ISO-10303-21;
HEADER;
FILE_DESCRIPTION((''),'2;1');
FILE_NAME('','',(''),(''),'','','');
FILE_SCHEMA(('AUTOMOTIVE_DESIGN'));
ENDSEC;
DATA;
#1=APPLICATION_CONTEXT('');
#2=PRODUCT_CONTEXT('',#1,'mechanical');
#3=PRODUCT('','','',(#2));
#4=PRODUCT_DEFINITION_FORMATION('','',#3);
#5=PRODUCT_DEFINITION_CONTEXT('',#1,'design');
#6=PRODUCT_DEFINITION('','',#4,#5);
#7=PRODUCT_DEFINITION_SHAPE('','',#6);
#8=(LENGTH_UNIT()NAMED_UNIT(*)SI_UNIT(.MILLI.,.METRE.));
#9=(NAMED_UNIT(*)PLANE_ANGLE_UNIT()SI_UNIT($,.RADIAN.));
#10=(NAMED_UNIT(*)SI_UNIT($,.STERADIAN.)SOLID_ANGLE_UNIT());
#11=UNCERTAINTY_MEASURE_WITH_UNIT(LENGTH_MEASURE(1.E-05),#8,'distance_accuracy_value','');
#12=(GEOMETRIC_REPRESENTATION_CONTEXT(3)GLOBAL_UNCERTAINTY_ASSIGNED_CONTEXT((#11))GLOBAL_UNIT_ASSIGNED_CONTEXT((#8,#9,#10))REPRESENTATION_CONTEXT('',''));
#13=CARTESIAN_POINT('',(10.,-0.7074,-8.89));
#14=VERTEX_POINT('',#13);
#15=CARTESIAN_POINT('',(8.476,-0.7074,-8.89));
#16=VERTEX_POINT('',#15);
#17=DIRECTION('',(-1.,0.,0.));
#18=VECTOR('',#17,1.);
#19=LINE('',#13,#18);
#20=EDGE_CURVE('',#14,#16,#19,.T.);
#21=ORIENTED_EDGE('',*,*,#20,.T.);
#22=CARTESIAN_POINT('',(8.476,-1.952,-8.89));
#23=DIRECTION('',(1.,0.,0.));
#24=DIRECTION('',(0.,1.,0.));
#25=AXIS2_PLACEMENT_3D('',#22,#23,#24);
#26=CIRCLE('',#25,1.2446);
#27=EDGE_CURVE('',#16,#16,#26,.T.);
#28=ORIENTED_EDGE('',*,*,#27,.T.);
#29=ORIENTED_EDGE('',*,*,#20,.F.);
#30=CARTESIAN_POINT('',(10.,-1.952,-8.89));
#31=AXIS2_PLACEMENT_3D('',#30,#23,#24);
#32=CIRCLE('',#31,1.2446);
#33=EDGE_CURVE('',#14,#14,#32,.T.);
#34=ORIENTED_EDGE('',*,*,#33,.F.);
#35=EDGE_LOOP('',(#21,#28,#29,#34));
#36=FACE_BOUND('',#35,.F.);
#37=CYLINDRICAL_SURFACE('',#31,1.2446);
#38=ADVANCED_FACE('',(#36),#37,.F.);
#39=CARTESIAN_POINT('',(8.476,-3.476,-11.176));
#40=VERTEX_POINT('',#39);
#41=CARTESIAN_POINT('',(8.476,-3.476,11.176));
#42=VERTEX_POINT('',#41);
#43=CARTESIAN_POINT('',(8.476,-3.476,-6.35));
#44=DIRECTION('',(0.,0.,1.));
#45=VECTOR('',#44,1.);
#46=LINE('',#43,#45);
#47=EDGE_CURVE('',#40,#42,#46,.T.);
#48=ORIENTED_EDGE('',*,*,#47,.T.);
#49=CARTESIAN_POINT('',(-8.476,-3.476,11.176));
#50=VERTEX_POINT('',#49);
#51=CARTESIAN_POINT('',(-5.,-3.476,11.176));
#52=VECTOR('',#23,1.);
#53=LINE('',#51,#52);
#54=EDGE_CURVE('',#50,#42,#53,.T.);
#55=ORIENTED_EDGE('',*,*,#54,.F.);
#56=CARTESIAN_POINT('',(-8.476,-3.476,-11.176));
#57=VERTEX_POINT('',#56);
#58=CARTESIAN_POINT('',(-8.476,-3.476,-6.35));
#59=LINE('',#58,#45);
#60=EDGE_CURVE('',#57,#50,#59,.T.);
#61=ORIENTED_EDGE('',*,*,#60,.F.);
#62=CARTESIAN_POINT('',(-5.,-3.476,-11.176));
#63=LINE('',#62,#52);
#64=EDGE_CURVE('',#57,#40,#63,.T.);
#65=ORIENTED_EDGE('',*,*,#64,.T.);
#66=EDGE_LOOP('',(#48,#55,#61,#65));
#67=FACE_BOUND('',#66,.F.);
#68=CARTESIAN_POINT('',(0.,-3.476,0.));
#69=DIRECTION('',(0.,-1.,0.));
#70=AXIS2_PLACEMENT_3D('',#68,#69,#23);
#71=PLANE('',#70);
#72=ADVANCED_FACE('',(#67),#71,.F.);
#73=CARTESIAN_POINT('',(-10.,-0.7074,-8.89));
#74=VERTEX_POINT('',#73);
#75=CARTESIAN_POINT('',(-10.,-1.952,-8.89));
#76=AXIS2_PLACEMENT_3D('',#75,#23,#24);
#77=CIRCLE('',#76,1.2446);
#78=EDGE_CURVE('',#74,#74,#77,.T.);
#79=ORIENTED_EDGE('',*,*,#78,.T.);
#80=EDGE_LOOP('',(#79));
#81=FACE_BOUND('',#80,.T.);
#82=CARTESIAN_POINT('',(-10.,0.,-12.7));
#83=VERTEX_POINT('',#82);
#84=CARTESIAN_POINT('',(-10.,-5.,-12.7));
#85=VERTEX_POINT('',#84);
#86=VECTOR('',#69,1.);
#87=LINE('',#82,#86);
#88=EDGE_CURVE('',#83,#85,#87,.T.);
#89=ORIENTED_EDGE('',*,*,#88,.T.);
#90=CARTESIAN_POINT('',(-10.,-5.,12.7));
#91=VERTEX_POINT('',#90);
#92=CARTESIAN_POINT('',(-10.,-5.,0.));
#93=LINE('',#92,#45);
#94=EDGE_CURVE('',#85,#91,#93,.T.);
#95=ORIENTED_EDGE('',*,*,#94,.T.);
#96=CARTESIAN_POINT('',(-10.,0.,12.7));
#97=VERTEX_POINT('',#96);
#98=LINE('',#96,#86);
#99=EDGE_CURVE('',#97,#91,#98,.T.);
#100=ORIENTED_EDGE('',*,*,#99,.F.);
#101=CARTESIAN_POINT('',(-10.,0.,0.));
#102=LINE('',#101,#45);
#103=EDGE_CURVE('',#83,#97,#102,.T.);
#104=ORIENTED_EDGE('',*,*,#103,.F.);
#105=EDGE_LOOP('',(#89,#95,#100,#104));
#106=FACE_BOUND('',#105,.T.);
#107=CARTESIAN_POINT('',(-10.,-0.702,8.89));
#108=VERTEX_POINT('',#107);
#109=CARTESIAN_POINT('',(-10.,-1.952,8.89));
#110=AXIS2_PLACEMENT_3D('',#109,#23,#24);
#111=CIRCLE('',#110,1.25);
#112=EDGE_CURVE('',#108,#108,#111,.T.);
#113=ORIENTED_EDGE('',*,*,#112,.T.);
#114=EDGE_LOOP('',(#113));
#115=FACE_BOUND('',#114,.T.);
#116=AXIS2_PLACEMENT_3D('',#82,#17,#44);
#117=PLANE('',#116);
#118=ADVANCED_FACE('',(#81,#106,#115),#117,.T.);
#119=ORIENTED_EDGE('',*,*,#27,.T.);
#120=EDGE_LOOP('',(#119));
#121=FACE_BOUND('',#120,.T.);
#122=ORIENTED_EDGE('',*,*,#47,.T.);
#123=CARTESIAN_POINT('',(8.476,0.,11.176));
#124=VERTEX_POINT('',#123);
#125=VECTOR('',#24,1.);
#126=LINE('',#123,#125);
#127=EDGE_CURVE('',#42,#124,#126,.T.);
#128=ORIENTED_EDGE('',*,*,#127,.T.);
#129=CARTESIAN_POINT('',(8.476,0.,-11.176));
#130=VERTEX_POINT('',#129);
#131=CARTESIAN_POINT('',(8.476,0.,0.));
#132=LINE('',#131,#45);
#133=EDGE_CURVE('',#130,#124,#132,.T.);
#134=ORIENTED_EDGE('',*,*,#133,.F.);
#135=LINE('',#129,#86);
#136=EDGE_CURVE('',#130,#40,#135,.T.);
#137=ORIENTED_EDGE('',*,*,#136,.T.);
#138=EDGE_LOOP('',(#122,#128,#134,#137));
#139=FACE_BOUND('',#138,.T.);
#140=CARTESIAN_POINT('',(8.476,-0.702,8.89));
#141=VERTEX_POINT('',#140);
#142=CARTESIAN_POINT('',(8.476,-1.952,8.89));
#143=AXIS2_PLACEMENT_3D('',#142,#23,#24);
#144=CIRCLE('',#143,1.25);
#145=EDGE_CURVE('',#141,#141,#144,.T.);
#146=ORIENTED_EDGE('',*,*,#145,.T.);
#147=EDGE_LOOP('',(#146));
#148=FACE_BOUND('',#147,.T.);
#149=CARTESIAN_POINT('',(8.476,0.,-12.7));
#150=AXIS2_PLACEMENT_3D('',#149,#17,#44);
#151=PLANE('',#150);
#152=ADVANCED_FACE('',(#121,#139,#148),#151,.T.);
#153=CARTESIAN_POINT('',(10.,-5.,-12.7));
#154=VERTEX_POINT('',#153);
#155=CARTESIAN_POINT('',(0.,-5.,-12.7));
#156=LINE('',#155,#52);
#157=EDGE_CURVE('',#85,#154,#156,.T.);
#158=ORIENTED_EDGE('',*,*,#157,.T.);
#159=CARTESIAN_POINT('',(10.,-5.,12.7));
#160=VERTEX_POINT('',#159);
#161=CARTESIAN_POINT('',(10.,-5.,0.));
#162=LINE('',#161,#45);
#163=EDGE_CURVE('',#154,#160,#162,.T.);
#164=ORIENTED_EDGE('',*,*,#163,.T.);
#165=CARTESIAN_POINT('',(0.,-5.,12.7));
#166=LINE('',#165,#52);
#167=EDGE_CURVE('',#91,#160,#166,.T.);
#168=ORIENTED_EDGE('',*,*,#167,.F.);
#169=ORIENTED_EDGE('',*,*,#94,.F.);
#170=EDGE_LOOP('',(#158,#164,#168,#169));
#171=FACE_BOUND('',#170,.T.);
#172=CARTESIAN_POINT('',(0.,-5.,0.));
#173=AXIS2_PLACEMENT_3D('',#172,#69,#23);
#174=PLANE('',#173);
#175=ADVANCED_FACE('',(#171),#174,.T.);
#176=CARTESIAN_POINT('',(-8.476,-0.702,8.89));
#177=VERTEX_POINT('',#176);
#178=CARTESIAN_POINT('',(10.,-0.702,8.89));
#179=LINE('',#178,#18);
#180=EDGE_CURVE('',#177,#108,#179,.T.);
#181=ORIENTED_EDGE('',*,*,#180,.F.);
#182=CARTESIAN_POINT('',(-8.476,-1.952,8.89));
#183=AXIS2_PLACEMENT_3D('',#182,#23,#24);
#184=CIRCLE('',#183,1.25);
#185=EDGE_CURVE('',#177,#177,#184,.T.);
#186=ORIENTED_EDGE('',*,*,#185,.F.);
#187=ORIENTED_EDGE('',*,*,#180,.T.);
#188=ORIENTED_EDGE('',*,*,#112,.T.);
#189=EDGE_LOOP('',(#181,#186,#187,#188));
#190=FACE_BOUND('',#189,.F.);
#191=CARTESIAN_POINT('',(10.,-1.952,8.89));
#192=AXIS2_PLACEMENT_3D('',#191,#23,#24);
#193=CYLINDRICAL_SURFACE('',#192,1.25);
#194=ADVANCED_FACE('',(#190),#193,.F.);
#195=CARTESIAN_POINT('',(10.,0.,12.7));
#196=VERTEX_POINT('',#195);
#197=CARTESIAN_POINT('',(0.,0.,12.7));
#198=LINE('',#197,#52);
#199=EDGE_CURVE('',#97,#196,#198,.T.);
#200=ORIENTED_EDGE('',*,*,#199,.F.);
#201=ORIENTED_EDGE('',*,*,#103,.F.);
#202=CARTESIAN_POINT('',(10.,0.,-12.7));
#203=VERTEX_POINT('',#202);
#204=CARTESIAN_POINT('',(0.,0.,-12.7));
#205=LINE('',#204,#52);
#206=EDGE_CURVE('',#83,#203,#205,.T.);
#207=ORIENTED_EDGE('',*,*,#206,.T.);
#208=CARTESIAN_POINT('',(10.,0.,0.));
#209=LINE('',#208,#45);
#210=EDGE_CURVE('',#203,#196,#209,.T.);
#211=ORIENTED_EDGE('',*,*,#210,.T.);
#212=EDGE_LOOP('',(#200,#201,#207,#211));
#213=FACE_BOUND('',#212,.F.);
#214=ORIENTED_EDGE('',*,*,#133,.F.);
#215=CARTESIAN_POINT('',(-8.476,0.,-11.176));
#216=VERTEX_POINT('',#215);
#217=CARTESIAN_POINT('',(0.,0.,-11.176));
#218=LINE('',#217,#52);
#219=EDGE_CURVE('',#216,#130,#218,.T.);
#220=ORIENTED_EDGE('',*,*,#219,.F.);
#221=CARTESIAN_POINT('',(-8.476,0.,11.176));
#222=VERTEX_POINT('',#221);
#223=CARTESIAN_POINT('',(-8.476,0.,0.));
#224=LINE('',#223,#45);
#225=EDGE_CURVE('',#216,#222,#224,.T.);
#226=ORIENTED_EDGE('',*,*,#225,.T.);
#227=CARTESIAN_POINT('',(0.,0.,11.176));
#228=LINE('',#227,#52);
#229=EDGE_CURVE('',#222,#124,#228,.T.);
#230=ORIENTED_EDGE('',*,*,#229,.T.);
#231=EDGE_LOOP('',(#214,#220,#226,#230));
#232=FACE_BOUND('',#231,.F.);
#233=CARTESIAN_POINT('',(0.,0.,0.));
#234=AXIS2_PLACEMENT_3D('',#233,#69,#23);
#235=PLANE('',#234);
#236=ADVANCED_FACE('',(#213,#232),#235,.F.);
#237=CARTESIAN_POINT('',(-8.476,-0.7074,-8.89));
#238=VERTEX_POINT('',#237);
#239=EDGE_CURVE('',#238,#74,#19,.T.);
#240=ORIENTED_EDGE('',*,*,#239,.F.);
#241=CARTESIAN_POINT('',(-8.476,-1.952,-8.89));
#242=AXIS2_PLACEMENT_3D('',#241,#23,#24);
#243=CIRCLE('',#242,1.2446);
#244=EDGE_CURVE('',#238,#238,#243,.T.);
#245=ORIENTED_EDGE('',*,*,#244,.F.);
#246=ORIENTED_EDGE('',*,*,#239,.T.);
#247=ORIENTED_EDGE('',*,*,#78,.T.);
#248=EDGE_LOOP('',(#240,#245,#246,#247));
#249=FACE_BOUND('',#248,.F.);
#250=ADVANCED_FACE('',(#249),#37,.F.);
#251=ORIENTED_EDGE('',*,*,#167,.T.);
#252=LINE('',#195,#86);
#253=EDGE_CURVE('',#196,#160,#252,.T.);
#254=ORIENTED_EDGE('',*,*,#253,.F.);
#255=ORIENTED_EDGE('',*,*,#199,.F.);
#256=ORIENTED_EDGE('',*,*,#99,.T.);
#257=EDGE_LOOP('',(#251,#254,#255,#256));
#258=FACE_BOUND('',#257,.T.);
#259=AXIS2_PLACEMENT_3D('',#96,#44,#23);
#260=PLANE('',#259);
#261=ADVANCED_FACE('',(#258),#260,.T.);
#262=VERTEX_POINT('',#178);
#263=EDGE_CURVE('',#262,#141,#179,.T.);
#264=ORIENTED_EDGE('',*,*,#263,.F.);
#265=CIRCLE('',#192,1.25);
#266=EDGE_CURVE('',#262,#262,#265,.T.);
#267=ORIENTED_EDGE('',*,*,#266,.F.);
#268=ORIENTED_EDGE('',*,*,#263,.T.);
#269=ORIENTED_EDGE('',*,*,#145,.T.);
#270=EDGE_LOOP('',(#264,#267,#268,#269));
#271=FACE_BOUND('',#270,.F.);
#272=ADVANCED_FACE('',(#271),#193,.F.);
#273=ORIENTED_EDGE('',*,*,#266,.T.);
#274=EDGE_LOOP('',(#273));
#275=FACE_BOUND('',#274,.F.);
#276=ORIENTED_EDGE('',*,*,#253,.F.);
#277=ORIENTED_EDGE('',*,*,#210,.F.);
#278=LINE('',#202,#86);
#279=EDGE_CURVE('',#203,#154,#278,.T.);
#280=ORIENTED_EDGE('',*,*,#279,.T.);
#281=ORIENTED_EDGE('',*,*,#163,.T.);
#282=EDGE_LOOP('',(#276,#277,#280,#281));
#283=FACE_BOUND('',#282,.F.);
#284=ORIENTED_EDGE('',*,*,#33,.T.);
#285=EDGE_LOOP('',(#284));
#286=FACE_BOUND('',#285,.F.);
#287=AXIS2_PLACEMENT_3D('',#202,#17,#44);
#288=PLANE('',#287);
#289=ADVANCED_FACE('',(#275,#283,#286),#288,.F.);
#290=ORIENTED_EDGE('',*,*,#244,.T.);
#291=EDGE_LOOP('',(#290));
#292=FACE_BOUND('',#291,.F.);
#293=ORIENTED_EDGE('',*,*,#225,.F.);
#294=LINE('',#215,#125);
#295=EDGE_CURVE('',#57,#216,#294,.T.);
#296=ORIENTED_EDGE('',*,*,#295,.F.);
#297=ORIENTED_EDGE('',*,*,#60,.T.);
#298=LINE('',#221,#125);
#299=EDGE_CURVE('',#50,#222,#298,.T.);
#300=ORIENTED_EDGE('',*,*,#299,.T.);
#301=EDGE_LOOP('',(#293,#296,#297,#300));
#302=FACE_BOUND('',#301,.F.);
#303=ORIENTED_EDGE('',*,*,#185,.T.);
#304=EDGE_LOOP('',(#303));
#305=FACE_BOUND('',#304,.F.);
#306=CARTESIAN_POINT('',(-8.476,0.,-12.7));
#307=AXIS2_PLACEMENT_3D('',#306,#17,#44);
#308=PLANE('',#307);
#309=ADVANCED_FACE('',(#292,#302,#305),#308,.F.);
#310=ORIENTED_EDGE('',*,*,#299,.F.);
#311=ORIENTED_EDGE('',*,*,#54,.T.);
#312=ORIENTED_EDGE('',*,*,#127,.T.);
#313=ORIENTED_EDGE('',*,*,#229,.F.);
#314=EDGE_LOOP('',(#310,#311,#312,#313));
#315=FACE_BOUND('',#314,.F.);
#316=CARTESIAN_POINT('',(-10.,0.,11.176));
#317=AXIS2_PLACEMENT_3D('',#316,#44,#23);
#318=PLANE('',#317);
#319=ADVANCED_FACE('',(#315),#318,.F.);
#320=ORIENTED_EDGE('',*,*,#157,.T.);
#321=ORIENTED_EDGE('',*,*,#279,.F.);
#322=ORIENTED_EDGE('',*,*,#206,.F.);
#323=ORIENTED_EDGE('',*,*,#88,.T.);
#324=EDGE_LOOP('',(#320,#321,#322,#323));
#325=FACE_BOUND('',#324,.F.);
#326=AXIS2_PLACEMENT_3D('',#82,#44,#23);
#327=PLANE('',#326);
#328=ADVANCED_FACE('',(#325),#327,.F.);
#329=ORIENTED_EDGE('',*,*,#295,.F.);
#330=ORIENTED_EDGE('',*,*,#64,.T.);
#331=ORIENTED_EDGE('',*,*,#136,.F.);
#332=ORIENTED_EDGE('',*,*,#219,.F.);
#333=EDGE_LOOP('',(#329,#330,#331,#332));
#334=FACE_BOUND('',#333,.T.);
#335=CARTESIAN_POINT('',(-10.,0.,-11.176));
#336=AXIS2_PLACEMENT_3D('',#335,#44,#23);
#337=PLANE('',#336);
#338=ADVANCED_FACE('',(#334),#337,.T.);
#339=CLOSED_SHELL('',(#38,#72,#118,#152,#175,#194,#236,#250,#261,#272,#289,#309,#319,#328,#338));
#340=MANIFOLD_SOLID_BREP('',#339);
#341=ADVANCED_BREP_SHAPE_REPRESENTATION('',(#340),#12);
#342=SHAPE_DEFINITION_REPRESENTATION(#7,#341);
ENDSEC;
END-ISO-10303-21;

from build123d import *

# Parameters (mm, degrees)
F0_W     = 20
F0_H     = 25.4
F1_DEPTH = 5
F2_T     = -1.524
F3_R     = 1.25
F3_R_2   = 1.2446
F4_DEPTH = 25.4


with BuildPart() as f1:
    # F0 (on Front) → F1 (new body)
    with BuildSketch(Plane.XZ):
        Rectangle(F0_W, F0_H)
    extrude(amount=F1_DEPTH)

    # F2
    f2_openings = [f1.faces().sort_by_distance(p)[0] for p in [
        (0, 0, 0),
    ]]
    offset(amount=F2_T, openings=f2_openings)

    # F3 (on face) → F4 (cut)
    with BuildSketch(Plane.YZ.offset(10)):
        with Locations((-1.952, 8.89)):
            Circle(F3_R)
        with Locations((-1.952, -8.89)):
            Circle(F3_R_2)
    extrude(amount=-F4_DEPTH, mode=Mode.SUBTRACT)


solid = f1.part
